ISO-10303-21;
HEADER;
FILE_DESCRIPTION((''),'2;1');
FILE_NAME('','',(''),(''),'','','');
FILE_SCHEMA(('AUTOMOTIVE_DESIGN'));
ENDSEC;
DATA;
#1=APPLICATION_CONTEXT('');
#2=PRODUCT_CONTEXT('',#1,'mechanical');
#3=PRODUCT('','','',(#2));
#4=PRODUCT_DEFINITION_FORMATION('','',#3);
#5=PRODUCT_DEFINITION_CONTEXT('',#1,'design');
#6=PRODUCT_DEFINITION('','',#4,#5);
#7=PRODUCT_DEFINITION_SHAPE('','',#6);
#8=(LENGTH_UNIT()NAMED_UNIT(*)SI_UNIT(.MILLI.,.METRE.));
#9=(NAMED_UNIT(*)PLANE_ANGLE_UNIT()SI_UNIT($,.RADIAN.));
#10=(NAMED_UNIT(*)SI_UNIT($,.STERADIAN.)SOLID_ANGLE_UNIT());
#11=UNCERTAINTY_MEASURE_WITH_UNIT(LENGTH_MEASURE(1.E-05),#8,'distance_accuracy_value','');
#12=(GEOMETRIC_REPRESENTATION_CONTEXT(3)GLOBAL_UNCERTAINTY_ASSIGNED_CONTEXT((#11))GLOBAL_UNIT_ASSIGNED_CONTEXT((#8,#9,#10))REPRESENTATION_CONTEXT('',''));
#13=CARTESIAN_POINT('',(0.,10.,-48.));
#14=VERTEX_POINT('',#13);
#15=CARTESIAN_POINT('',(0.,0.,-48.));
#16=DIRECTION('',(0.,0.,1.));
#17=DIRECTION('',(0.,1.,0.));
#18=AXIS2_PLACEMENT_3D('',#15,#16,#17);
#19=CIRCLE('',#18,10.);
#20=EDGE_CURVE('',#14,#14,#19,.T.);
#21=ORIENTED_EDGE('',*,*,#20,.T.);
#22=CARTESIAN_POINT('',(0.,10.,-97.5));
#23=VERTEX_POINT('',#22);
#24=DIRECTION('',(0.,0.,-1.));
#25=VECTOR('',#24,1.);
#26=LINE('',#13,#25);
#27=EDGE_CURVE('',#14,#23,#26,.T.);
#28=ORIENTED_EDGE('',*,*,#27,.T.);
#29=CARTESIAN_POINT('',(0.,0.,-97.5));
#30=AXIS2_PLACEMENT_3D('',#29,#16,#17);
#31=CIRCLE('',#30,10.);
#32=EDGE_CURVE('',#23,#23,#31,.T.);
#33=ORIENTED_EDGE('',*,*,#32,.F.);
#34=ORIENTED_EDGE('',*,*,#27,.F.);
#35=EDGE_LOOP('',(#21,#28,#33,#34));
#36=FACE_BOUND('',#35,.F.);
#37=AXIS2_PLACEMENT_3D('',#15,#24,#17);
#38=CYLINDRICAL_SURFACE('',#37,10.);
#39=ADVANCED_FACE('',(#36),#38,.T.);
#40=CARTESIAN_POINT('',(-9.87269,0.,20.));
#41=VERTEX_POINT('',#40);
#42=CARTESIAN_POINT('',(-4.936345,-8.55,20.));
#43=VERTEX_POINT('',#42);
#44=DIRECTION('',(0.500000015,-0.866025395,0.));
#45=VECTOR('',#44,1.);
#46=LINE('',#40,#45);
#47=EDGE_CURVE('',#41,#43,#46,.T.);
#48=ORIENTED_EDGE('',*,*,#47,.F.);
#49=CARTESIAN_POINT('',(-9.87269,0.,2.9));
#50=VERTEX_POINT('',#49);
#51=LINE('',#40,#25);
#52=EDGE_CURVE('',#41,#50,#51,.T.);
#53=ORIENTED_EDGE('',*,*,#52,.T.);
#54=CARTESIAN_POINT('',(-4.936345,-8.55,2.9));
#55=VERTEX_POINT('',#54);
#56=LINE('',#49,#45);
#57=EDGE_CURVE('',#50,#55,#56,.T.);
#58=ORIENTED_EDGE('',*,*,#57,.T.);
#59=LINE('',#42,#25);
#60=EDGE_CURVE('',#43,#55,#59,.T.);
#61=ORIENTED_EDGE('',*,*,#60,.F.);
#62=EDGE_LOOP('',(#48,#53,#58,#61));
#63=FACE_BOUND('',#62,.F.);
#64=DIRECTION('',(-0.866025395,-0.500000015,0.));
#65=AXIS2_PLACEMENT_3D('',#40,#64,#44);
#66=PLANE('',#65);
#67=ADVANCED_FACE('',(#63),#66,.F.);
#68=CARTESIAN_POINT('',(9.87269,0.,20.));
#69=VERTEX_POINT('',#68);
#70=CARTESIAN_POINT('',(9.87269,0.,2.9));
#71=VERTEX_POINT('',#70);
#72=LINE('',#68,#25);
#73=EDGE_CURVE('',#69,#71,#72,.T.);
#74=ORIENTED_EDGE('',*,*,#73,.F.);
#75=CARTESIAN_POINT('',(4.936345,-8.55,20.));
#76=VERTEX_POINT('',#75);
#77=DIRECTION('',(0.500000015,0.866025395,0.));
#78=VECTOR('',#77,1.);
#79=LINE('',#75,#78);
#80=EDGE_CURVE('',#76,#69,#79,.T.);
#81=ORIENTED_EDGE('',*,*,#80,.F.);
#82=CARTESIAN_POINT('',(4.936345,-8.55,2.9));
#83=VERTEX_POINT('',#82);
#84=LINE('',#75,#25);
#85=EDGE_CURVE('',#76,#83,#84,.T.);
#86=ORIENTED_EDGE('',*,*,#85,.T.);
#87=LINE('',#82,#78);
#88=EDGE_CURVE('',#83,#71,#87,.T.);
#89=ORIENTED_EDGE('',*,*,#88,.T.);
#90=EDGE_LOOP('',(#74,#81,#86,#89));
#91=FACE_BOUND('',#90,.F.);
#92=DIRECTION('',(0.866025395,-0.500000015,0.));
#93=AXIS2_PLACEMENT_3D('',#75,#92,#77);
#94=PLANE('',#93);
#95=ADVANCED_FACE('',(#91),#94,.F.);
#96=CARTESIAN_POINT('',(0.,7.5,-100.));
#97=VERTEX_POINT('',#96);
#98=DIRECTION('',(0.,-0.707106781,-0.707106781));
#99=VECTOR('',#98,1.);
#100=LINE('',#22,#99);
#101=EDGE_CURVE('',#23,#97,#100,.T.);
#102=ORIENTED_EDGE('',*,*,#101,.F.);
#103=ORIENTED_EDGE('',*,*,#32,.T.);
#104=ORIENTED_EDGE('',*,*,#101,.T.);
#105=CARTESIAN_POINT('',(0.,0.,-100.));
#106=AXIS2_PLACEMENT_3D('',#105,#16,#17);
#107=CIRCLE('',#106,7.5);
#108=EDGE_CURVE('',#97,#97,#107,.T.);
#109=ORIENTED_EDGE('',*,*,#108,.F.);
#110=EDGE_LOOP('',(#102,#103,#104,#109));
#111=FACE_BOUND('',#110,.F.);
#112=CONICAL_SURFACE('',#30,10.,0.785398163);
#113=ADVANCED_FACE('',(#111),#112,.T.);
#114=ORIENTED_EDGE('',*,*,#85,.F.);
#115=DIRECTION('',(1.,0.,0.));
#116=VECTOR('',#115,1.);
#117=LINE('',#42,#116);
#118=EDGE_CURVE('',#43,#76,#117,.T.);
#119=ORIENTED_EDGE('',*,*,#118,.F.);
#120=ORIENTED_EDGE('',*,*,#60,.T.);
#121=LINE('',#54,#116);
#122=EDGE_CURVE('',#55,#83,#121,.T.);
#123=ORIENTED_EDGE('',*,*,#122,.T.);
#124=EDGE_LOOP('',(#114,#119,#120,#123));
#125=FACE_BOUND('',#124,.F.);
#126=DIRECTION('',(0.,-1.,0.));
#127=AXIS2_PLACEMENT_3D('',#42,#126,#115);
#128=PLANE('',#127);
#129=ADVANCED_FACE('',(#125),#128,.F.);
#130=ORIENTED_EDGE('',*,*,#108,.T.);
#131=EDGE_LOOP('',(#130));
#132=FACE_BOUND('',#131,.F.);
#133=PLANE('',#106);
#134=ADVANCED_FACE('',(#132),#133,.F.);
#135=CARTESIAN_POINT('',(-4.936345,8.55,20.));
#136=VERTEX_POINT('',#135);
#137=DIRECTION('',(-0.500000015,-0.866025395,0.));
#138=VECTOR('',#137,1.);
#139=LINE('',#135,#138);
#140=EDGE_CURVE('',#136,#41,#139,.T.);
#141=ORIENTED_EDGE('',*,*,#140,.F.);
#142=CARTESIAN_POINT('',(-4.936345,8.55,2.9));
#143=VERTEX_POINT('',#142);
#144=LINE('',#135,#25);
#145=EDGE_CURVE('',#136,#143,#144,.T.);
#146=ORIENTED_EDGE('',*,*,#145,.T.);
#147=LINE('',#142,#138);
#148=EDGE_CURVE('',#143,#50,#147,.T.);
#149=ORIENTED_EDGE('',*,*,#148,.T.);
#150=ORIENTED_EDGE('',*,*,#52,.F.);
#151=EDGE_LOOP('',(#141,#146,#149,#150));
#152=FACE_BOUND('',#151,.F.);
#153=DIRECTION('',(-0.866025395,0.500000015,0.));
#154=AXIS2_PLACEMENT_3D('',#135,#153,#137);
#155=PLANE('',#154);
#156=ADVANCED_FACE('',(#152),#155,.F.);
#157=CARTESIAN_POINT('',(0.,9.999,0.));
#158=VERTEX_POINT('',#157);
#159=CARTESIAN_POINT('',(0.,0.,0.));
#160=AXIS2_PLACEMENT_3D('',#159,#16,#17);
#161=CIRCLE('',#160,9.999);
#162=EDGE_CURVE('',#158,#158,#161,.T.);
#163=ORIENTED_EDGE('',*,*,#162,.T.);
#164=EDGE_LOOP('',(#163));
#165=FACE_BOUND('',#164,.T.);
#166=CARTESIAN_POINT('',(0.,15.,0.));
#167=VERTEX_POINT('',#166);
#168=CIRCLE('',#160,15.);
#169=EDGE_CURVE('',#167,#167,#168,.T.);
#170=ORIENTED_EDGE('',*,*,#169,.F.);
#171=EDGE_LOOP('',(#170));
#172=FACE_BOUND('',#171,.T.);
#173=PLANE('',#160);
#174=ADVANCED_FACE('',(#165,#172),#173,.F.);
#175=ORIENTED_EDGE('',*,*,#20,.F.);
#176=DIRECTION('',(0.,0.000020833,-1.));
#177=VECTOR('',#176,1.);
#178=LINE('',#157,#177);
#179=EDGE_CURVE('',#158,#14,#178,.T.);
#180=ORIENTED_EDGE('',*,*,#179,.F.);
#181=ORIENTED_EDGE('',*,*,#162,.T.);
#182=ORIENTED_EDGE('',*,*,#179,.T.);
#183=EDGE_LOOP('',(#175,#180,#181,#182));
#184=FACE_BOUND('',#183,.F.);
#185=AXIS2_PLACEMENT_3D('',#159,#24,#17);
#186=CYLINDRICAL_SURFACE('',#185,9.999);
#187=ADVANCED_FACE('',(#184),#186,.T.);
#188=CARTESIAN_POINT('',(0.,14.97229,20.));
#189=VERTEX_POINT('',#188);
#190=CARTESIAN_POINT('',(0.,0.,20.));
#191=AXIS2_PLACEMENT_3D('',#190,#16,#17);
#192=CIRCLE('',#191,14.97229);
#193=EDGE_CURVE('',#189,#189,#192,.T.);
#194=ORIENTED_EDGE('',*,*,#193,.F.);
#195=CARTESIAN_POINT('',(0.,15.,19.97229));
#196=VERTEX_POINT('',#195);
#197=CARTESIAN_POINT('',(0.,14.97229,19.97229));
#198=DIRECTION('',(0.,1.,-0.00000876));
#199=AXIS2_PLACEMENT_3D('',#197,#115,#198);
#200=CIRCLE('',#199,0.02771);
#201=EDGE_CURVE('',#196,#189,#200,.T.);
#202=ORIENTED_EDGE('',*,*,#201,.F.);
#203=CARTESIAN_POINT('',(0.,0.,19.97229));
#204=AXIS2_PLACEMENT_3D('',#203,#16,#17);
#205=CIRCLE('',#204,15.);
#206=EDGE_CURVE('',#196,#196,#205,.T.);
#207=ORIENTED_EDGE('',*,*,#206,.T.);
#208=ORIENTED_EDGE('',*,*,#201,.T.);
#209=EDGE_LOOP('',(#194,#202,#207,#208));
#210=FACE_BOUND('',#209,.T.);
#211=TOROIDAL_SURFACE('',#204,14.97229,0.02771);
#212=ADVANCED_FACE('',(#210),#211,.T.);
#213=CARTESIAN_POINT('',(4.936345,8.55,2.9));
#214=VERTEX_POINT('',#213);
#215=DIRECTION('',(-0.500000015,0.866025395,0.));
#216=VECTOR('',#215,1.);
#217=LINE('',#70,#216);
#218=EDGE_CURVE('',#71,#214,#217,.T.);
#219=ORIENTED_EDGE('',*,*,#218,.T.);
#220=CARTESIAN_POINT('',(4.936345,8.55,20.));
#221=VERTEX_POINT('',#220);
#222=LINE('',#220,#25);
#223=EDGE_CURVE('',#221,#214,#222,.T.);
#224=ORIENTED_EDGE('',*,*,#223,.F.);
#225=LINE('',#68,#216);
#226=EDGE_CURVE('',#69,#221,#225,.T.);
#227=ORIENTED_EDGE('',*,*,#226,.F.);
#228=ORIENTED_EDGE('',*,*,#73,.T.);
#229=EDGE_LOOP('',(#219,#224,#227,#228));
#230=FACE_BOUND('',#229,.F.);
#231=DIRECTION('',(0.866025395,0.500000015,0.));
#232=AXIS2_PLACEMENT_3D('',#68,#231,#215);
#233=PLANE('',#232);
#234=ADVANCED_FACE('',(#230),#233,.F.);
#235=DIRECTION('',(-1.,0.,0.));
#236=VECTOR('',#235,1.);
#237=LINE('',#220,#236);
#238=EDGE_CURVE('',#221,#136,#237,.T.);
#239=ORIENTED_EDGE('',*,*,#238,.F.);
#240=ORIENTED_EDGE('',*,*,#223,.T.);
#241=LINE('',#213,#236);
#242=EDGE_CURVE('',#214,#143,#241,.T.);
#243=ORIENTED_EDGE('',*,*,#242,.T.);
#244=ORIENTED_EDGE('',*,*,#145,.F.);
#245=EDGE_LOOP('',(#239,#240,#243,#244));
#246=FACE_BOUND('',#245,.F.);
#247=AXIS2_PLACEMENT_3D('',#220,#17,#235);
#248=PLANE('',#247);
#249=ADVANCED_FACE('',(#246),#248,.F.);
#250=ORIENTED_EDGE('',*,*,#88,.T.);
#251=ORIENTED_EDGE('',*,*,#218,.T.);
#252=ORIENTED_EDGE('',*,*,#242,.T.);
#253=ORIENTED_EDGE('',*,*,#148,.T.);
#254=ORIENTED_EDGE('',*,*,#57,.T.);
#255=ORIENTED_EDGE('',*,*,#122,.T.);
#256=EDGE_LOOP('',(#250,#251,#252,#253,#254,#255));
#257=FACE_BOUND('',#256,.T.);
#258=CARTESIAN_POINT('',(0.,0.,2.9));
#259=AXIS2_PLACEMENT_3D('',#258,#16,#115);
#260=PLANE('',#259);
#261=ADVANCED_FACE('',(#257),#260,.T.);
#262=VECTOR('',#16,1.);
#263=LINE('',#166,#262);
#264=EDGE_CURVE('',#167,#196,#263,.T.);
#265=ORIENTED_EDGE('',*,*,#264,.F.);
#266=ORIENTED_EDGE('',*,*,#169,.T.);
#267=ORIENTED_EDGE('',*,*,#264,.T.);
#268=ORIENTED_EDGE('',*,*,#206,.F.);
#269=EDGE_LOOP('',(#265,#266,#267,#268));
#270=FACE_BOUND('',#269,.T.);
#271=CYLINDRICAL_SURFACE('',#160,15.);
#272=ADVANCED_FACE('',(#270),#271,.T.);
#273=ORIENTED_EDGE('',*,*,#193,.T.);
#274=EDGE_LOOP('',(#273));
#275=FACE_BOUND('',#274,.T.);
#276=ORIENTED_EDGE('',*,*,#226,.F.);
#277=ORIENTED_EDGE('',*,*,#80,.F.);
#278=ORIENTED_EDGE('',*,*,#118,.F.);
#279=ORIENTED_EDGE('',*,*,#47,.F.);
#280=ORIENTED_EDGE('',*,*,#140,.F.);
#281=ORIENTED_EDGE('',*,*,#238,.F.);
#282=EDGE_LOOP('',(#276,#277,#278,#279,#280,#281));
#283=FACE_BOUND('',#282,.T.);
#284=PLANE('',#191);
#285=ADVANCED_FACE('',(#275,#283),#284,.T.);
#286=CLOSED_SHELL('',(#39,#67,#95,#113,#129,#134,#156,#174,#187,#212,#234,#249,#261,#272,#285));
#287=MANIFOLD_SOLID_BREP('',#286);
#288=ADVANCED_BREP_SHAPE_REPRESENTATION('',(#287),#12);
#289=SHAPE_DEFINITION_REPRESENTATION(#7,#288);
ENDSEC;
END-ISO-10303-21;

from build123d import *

# Parameters (mm, degrees)
POCKET_DEPTH = 17.1


with BuildPart() as part:
    # Sketch → Revolve (revolve)
    with BuildSketch(Plane.YZ):
        with BuildLine():
            Line((9.999, 0), (15, 0))
            Line((15, 0), (15, 19.97229))
            ThreePointArc((15, 19.97229), (14.991884, 19.991884), (14.97229, 20))
            Line((14.97229, 20), (0, 20))
            Line((0, -100), (0, 20))
            Line((7.5, -100), (0, -100))
            Line((10, -97.5), (7.5, -100))
            Line((10, -48), (10, -97.5))
            Line((9.999, 0), (10, -48))
        make_face()
    revolve(axis=Axis((0, 0, 0), (0, 0, 1)))

    # Sketch001 → Pocket (cut)
    with BuildSketch(Plane.XY.offset(20)):
        Polygon((9.87269, 0), (4.936345, 8.55), (-4.936345, 8.55), (-9.87269, 0), (-4.936345, -8.55), (4.936345, -8.55), align=None)
    extrude(amount=-POCKET_DEPTH, mode=Mode.SUBTRACT)


solid = part.part
